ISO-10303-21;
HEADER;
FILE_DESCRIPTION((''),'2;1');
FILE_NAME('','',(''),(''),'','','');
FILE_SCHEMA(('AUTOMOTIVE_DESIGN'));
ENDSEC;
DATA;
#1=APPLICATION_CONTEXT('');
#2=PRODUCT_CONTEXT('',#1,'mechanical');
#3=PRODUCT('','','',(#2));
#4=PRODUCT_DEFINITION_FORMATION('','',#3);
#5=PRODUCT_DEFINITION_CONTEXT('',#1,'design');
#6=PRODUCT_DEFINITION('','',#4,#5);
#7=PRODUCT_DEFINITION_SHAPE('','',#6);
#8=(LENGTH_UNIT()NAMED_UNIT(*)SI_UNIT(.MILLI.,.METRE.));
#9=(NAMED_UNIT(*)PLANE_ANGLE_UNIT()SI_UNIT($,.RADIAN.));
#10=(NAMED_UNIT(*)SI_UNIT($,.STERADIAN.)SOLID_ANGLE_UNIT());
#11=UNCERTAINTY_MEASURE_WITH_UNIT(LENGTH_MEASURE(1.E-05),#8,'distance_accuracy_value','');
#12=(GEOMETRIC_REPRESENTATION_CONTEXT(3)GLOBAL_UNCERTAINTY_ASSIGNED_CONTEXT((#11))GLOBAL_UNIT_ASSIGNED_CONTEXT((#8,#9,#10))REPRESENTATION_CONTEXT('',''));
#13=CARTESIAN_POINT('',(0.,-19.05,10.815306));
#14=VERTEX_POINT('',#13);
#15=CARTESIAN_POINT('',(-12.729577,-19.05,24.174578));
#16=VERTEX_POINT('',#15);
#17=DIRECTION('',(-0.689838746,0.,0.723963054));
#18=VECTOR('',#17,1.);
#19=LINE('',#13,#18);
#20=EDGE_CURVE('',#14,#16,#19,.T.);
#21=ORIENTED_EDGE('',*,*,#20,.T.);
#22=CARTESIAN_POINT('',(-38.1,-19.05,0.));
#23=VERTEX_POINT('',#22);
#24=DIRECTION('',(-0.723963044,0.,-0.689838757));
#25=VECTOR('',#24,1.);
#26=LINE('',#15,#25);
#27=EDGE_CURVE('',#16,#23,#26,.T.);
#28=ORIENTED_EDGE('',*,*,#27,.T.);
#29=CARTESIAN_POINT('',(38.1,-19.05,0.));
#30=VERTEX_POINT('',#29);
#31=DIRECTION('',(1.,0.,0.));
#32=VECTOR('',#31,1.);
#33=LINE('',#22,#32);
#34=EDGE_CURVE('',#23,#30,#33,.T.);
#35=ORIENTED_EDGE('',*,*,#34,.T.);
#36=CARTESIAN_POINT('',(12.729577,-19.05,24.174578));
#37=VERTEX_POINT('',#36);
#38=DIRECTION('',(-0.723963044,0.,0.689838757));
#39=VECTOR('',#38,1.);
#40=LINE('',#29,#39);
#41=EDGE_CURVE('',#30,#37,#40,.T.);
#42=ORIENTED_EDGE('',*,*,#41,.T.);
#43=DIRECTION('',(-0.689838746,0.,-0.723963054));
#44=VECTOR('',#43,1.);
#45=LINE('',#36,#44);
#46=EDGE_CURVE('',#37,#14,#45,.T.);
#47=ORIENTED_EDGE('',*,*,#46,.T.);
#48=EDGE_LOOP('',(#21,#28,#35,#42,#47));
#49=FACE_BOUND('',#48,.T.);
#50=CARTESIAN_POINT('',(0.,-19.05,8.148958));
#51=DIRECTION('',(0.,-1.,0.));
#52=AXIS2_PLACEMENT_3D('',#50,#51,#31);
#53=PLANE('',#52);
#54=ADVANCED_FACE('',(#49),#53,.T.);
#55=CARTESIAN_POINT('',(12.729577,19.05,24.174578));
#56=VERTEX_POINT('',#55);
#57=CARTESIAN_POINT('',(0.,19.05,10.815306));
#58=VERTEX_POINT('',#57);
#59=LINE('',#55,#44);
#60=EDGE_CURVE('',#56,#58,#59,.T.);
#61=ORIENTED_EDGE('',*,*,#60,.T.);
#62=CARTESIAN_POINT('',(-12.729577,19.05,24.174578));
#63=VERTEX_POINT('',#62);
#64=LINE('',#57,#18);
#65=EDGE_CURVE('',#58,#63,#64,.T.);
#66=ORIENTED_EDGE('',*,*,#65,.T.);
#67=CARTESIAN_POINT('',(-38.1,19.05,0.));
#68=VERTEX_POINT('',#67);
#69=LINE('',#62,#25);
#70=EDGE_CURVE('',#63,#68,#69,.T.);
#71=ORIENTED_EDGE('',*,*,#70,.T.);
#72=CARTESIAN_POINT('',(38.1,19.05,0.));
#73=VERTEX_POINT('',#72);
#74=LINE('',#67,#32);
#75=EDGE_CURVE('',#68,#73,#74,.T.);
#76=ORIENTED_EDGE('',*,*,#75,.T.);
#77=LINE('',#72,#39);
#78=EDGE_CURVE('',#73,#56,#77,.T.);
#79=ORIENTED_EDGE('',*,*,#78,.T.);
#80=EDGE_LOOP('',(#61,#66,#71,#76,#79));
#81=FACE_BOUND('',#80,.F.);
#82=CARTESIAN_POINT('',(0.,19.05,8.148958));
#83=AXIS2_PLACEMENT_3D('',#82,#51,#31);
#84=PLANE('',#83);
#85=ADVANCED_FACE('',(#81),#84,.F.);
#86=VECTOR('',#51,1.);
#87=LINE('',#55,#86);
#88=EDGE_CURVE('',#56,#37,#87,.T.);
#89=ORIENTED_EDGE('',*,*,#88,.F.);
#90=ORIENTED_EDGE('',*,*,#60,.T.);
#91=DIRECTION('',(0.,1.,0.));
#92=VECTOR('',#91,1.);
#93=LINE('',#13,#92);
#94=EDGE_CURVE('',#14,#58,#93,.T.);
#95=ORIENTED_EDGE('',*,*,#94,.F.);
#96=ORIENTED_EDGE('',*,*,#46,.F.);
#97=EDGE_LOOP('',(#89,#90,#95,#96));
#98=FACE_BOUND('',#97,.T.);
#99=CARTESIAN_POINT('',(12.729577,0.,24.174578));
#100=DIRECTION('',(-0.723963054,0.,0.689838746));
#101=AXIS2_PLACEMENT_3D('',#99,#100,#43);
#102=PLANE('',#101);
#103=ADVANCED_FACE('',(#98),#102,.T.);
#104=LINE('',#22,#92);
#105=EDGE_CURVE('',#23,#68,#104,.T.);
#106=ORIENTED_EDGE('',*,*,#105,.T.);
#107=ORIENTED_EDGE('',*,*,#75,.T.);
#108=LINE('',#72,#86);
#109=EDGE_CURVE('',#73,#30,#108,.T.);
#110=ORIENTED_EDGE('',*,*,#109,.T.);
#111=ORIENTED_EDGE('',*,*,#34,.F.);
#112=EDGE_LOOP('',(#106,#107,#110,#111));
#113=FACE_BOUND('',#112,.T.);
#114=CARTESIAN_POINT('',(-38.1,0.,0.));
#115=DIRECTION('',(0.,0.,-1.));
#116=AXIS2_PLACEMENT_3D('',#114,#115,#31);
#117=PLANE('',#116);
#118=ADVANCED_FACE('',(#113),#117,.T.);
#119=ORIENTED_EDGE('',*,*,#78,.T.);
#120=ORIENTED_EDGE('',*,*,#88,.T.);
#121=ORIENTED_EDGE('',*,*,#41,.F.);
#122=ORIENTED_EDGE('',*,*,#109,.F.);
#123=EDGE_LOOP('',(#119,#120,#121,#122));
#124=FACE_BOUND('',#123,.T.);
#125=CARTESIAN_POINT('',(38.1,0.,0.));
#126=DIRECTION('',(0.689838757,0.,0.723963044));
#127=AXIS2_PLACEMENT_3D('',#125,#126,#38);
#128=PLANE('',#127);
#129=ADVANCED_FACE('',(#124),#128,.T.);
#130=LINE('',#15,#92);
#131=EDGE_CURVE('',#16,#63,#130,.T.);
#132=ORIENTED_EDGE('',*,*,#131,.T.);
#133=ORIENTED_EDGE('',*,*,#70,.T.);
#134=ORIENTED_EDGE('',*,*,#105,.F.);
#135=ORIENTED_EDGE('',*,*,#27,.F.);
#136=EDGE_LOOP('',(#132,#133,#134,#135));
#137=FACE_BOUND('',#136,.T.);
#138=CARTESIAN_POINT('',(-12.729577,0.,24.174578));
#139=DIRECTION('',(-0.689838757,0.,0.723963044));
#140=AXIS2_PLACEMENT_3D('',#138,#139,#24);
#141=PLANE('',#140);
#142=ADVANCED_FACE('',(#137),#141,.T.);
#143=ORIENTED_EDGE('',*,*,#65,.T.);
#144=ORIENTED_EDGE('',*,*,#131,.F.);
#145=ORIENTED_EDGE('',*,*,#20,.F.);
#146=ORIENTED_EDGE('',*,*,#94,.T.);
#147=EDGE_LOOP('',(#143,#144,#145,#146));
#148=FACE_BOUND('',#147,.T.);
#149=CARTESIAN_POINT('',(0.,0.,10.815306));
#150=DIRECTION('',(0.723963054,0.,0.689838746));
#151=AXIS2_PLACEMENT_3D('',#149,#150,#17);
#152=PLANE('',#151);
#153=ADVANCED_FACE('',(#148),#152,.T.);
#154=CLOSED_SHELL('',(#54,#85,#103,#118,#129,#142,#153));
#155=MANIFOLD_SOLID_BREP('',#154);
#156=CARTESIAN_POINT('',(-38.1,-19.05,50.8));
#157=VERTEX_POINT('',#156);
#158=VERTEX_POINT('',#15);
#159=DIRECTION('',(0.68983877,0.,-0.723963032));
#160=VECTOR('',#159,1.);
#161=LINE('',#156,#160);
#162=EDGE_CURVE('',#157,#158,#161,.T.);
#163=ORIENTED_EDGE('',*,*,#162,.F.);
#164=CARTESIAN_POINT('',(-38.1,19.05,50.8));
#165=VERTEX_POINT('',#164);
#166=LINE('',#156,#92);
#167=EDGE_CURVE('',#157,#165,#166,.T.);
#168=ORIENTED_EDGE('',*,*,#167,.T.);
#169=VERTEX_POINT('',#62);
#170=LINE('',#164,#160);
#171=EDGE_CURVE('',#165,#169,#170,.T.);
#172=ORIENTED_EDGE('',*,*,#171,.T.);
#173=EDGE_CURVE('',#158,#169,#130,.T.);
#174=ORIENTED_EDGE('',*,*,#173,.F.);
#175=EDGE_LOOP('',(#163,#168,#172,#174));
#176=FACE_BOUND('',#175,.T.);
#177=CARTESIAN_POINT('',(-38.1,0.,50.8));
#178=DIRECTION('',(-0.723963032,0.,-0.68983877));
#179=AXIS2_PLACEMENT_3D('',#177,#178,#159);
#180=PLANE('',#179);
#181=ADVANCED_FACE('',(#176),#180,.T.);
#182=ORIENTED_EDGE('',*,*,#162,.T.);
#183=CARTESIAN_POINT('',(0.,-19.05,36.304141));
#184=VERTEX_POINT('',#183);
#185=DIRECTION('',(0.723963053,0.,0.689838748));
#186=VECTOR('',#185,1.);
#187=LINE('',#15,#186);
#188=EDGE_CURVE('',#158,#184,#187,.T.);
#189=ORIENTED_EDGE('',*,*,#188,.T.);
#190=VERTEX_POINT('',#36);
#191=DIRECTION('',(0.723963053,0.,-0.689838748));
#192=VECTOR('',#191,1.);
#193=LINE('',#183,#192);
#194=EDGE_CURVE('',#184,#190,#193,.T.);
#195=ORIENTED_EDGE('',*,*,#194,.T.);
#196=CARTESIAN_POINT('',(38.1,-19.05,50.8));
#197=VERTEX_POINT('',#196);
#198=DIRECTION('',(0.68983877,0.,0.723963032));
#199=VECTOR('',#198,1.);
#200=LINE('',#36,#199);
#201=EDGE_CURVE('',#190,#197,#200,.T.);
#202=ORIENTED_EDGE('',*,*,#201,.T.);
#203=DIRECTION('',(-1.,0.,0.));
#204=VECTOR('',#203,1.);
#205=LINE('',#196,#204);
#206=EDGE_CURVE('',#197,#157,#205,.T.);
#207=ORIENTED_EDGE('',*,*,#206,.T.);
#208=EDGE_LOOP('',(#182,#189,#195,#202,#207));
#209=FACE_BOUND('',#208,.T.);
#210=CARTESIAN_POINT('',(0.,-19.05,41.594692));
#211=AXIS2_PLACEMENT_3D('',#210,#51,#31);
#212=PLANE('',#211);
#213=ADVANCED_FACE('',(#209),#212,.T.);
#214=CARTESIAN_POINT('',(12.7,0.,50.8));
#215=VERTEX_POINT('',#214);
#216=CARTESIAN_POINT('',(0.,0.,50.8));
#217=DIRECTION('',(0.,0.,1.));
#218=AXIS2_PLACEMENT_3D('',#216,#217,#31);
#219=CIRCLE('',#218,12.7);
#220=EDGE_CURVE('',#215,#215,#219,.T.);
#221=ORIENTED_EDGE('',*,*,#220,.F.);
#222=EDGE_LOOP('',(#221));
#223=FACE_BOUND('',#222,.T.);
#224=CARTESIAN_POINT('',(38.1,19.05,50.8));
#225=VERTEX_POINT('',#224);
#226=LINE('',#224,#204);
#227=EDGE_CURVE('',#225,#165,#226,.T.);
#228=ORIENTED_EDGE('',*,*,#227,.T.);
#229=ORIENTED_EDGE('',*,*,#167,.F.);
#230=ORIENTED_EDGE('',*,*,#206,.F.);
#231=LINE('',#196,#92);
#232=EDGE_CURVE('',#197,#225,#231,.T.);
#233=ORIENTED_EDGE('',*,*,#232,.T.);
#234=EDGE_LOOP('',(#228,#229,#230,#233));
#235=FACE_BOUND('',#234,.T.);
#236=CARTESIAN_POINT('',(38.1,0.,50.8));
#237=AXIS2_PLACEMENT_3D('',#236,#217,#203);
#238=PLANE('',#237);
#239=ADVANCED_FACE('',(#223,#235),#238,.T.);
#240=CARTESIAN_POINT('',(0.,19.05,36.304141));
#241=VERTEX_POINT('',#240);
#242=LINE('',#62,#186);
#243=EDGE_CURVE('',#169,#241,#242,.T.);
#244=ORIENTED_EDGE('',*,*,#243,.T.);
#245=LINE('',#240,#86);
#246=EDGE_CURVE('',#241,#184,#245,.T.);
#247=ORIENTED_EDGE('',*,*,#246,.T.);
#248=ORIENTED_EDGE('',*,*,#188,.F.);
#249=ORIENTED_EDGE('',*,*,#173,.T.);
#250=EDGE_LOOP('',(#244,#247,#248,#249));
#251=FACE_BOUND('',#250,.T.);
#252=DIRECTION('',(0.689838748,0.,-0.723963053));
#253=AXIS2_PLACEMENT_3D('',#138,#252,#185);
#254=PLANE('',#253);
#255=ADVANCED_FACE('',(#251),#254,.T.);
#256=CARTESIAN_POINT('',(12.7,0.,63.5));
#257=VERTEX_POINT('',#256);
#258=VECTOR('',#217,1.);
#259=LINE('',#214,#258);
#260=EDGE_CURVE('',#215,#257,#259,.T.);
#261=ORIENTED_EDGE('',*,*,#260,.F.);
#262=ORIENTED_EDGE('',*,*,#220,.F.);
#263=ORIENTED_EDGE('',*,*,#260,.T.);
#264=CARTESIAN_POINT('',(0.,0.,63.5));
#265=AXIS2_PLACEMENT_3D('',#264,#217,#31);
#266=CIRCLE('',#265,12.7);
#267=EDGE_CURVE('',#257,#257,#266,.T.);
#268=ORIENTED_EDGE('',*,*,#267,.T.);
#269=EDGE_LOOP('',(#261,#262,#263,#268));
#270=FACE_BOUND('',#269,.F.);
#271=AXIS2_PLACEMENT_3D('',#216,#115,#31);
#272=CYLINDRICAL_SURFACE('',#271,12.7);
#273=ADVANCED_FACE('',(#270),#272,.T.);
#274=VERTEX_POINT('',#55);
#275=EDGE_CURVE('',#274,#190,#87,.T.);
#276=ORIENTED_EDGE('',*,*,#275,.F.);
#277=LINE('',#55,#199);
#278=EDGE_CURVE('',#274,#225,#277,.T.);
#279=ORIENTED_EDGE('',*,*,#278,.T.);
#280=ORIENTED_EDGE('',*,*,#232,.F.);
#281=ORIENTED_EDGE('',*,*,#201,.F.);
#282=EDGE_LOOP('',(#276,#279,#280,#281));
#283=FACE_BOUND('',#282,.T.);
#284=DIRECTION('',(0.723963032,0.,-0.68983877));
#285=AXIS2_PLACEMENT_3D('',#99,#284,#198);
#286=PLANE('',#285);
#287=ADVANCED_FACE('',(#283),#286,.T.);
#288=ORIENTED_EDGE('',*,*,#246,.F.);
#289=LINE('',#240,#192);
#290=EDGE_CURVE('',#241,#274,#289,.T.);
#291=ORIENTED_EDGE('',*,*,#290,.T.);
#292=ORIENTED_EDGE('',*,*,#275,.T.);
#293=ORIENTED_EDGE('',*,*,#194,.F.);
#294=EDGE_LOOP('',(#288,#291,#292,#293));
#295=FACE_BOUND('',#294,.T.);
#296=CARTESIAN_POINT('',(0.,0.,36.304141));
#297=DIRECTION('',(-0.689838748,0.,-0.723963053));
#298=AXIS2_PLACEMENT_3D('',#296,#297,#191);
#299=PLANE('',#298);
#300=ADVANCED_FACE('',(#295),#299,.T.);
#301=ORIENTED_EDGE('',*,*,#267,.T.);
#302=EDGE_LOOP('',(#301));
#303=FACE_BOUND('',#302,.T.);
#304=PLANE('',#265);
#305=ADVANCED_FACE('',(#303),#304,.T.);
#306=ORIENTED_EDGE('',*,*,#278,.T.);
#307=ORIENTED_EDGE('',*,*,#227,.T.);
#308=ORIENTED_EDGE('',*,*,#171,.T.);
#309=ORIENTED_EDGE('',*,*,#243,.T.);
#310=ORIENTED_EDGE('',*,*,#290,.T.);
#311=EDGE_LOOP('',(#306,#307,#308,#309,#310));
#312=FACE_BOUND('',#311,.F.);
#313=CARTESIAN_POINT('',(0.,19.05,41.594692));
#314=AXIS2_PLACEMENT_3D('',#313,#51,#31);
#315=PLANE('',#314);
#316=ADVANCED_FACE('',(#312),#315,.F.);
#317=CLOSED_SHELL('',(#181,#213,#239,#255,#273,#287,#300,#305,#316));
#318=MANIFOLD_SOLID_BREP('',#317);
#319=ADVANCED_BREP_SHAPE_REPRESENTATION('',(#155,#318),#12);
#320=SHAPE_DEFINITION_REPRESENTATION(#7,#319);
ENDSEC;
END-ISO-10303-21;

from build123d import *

# Parameters (mm, degrees)
F0_R     = 12.7
F1_DEPTH = 12.7
F4_DEPTH = 19.05


with BuildPart() as f1:
    # F0 (on Top) → F1 (new body)
    with BuildSketch(Plane.XY):
        Circle(F0_R)
    extrude(amount=F1_DEPTH)


with BuildPart() as f1_1:
    # F2: moved
    add(f1.part.moved(Location((0, 0, 50.8))))

    # F3 (on Front) → F4 (join, symmetric)
    with BuildSketch(Plane.XZ):
        Polygon((-38.1, 50.8), (-12.729577, 24.174578), (0, 36.304141), (12.729577, 24.174578), (38.1, 50.8), (0, 50.8), align=None)
        Polygon((-38.1, 0), (0, 0), (38.1, 0), (12.729577, 24.174578), (0, 10.815306), (-12.729577, 24.174578), align=None)
    extrude(amount=F4_DEPTH, both=True)


solid = f1_1.part
